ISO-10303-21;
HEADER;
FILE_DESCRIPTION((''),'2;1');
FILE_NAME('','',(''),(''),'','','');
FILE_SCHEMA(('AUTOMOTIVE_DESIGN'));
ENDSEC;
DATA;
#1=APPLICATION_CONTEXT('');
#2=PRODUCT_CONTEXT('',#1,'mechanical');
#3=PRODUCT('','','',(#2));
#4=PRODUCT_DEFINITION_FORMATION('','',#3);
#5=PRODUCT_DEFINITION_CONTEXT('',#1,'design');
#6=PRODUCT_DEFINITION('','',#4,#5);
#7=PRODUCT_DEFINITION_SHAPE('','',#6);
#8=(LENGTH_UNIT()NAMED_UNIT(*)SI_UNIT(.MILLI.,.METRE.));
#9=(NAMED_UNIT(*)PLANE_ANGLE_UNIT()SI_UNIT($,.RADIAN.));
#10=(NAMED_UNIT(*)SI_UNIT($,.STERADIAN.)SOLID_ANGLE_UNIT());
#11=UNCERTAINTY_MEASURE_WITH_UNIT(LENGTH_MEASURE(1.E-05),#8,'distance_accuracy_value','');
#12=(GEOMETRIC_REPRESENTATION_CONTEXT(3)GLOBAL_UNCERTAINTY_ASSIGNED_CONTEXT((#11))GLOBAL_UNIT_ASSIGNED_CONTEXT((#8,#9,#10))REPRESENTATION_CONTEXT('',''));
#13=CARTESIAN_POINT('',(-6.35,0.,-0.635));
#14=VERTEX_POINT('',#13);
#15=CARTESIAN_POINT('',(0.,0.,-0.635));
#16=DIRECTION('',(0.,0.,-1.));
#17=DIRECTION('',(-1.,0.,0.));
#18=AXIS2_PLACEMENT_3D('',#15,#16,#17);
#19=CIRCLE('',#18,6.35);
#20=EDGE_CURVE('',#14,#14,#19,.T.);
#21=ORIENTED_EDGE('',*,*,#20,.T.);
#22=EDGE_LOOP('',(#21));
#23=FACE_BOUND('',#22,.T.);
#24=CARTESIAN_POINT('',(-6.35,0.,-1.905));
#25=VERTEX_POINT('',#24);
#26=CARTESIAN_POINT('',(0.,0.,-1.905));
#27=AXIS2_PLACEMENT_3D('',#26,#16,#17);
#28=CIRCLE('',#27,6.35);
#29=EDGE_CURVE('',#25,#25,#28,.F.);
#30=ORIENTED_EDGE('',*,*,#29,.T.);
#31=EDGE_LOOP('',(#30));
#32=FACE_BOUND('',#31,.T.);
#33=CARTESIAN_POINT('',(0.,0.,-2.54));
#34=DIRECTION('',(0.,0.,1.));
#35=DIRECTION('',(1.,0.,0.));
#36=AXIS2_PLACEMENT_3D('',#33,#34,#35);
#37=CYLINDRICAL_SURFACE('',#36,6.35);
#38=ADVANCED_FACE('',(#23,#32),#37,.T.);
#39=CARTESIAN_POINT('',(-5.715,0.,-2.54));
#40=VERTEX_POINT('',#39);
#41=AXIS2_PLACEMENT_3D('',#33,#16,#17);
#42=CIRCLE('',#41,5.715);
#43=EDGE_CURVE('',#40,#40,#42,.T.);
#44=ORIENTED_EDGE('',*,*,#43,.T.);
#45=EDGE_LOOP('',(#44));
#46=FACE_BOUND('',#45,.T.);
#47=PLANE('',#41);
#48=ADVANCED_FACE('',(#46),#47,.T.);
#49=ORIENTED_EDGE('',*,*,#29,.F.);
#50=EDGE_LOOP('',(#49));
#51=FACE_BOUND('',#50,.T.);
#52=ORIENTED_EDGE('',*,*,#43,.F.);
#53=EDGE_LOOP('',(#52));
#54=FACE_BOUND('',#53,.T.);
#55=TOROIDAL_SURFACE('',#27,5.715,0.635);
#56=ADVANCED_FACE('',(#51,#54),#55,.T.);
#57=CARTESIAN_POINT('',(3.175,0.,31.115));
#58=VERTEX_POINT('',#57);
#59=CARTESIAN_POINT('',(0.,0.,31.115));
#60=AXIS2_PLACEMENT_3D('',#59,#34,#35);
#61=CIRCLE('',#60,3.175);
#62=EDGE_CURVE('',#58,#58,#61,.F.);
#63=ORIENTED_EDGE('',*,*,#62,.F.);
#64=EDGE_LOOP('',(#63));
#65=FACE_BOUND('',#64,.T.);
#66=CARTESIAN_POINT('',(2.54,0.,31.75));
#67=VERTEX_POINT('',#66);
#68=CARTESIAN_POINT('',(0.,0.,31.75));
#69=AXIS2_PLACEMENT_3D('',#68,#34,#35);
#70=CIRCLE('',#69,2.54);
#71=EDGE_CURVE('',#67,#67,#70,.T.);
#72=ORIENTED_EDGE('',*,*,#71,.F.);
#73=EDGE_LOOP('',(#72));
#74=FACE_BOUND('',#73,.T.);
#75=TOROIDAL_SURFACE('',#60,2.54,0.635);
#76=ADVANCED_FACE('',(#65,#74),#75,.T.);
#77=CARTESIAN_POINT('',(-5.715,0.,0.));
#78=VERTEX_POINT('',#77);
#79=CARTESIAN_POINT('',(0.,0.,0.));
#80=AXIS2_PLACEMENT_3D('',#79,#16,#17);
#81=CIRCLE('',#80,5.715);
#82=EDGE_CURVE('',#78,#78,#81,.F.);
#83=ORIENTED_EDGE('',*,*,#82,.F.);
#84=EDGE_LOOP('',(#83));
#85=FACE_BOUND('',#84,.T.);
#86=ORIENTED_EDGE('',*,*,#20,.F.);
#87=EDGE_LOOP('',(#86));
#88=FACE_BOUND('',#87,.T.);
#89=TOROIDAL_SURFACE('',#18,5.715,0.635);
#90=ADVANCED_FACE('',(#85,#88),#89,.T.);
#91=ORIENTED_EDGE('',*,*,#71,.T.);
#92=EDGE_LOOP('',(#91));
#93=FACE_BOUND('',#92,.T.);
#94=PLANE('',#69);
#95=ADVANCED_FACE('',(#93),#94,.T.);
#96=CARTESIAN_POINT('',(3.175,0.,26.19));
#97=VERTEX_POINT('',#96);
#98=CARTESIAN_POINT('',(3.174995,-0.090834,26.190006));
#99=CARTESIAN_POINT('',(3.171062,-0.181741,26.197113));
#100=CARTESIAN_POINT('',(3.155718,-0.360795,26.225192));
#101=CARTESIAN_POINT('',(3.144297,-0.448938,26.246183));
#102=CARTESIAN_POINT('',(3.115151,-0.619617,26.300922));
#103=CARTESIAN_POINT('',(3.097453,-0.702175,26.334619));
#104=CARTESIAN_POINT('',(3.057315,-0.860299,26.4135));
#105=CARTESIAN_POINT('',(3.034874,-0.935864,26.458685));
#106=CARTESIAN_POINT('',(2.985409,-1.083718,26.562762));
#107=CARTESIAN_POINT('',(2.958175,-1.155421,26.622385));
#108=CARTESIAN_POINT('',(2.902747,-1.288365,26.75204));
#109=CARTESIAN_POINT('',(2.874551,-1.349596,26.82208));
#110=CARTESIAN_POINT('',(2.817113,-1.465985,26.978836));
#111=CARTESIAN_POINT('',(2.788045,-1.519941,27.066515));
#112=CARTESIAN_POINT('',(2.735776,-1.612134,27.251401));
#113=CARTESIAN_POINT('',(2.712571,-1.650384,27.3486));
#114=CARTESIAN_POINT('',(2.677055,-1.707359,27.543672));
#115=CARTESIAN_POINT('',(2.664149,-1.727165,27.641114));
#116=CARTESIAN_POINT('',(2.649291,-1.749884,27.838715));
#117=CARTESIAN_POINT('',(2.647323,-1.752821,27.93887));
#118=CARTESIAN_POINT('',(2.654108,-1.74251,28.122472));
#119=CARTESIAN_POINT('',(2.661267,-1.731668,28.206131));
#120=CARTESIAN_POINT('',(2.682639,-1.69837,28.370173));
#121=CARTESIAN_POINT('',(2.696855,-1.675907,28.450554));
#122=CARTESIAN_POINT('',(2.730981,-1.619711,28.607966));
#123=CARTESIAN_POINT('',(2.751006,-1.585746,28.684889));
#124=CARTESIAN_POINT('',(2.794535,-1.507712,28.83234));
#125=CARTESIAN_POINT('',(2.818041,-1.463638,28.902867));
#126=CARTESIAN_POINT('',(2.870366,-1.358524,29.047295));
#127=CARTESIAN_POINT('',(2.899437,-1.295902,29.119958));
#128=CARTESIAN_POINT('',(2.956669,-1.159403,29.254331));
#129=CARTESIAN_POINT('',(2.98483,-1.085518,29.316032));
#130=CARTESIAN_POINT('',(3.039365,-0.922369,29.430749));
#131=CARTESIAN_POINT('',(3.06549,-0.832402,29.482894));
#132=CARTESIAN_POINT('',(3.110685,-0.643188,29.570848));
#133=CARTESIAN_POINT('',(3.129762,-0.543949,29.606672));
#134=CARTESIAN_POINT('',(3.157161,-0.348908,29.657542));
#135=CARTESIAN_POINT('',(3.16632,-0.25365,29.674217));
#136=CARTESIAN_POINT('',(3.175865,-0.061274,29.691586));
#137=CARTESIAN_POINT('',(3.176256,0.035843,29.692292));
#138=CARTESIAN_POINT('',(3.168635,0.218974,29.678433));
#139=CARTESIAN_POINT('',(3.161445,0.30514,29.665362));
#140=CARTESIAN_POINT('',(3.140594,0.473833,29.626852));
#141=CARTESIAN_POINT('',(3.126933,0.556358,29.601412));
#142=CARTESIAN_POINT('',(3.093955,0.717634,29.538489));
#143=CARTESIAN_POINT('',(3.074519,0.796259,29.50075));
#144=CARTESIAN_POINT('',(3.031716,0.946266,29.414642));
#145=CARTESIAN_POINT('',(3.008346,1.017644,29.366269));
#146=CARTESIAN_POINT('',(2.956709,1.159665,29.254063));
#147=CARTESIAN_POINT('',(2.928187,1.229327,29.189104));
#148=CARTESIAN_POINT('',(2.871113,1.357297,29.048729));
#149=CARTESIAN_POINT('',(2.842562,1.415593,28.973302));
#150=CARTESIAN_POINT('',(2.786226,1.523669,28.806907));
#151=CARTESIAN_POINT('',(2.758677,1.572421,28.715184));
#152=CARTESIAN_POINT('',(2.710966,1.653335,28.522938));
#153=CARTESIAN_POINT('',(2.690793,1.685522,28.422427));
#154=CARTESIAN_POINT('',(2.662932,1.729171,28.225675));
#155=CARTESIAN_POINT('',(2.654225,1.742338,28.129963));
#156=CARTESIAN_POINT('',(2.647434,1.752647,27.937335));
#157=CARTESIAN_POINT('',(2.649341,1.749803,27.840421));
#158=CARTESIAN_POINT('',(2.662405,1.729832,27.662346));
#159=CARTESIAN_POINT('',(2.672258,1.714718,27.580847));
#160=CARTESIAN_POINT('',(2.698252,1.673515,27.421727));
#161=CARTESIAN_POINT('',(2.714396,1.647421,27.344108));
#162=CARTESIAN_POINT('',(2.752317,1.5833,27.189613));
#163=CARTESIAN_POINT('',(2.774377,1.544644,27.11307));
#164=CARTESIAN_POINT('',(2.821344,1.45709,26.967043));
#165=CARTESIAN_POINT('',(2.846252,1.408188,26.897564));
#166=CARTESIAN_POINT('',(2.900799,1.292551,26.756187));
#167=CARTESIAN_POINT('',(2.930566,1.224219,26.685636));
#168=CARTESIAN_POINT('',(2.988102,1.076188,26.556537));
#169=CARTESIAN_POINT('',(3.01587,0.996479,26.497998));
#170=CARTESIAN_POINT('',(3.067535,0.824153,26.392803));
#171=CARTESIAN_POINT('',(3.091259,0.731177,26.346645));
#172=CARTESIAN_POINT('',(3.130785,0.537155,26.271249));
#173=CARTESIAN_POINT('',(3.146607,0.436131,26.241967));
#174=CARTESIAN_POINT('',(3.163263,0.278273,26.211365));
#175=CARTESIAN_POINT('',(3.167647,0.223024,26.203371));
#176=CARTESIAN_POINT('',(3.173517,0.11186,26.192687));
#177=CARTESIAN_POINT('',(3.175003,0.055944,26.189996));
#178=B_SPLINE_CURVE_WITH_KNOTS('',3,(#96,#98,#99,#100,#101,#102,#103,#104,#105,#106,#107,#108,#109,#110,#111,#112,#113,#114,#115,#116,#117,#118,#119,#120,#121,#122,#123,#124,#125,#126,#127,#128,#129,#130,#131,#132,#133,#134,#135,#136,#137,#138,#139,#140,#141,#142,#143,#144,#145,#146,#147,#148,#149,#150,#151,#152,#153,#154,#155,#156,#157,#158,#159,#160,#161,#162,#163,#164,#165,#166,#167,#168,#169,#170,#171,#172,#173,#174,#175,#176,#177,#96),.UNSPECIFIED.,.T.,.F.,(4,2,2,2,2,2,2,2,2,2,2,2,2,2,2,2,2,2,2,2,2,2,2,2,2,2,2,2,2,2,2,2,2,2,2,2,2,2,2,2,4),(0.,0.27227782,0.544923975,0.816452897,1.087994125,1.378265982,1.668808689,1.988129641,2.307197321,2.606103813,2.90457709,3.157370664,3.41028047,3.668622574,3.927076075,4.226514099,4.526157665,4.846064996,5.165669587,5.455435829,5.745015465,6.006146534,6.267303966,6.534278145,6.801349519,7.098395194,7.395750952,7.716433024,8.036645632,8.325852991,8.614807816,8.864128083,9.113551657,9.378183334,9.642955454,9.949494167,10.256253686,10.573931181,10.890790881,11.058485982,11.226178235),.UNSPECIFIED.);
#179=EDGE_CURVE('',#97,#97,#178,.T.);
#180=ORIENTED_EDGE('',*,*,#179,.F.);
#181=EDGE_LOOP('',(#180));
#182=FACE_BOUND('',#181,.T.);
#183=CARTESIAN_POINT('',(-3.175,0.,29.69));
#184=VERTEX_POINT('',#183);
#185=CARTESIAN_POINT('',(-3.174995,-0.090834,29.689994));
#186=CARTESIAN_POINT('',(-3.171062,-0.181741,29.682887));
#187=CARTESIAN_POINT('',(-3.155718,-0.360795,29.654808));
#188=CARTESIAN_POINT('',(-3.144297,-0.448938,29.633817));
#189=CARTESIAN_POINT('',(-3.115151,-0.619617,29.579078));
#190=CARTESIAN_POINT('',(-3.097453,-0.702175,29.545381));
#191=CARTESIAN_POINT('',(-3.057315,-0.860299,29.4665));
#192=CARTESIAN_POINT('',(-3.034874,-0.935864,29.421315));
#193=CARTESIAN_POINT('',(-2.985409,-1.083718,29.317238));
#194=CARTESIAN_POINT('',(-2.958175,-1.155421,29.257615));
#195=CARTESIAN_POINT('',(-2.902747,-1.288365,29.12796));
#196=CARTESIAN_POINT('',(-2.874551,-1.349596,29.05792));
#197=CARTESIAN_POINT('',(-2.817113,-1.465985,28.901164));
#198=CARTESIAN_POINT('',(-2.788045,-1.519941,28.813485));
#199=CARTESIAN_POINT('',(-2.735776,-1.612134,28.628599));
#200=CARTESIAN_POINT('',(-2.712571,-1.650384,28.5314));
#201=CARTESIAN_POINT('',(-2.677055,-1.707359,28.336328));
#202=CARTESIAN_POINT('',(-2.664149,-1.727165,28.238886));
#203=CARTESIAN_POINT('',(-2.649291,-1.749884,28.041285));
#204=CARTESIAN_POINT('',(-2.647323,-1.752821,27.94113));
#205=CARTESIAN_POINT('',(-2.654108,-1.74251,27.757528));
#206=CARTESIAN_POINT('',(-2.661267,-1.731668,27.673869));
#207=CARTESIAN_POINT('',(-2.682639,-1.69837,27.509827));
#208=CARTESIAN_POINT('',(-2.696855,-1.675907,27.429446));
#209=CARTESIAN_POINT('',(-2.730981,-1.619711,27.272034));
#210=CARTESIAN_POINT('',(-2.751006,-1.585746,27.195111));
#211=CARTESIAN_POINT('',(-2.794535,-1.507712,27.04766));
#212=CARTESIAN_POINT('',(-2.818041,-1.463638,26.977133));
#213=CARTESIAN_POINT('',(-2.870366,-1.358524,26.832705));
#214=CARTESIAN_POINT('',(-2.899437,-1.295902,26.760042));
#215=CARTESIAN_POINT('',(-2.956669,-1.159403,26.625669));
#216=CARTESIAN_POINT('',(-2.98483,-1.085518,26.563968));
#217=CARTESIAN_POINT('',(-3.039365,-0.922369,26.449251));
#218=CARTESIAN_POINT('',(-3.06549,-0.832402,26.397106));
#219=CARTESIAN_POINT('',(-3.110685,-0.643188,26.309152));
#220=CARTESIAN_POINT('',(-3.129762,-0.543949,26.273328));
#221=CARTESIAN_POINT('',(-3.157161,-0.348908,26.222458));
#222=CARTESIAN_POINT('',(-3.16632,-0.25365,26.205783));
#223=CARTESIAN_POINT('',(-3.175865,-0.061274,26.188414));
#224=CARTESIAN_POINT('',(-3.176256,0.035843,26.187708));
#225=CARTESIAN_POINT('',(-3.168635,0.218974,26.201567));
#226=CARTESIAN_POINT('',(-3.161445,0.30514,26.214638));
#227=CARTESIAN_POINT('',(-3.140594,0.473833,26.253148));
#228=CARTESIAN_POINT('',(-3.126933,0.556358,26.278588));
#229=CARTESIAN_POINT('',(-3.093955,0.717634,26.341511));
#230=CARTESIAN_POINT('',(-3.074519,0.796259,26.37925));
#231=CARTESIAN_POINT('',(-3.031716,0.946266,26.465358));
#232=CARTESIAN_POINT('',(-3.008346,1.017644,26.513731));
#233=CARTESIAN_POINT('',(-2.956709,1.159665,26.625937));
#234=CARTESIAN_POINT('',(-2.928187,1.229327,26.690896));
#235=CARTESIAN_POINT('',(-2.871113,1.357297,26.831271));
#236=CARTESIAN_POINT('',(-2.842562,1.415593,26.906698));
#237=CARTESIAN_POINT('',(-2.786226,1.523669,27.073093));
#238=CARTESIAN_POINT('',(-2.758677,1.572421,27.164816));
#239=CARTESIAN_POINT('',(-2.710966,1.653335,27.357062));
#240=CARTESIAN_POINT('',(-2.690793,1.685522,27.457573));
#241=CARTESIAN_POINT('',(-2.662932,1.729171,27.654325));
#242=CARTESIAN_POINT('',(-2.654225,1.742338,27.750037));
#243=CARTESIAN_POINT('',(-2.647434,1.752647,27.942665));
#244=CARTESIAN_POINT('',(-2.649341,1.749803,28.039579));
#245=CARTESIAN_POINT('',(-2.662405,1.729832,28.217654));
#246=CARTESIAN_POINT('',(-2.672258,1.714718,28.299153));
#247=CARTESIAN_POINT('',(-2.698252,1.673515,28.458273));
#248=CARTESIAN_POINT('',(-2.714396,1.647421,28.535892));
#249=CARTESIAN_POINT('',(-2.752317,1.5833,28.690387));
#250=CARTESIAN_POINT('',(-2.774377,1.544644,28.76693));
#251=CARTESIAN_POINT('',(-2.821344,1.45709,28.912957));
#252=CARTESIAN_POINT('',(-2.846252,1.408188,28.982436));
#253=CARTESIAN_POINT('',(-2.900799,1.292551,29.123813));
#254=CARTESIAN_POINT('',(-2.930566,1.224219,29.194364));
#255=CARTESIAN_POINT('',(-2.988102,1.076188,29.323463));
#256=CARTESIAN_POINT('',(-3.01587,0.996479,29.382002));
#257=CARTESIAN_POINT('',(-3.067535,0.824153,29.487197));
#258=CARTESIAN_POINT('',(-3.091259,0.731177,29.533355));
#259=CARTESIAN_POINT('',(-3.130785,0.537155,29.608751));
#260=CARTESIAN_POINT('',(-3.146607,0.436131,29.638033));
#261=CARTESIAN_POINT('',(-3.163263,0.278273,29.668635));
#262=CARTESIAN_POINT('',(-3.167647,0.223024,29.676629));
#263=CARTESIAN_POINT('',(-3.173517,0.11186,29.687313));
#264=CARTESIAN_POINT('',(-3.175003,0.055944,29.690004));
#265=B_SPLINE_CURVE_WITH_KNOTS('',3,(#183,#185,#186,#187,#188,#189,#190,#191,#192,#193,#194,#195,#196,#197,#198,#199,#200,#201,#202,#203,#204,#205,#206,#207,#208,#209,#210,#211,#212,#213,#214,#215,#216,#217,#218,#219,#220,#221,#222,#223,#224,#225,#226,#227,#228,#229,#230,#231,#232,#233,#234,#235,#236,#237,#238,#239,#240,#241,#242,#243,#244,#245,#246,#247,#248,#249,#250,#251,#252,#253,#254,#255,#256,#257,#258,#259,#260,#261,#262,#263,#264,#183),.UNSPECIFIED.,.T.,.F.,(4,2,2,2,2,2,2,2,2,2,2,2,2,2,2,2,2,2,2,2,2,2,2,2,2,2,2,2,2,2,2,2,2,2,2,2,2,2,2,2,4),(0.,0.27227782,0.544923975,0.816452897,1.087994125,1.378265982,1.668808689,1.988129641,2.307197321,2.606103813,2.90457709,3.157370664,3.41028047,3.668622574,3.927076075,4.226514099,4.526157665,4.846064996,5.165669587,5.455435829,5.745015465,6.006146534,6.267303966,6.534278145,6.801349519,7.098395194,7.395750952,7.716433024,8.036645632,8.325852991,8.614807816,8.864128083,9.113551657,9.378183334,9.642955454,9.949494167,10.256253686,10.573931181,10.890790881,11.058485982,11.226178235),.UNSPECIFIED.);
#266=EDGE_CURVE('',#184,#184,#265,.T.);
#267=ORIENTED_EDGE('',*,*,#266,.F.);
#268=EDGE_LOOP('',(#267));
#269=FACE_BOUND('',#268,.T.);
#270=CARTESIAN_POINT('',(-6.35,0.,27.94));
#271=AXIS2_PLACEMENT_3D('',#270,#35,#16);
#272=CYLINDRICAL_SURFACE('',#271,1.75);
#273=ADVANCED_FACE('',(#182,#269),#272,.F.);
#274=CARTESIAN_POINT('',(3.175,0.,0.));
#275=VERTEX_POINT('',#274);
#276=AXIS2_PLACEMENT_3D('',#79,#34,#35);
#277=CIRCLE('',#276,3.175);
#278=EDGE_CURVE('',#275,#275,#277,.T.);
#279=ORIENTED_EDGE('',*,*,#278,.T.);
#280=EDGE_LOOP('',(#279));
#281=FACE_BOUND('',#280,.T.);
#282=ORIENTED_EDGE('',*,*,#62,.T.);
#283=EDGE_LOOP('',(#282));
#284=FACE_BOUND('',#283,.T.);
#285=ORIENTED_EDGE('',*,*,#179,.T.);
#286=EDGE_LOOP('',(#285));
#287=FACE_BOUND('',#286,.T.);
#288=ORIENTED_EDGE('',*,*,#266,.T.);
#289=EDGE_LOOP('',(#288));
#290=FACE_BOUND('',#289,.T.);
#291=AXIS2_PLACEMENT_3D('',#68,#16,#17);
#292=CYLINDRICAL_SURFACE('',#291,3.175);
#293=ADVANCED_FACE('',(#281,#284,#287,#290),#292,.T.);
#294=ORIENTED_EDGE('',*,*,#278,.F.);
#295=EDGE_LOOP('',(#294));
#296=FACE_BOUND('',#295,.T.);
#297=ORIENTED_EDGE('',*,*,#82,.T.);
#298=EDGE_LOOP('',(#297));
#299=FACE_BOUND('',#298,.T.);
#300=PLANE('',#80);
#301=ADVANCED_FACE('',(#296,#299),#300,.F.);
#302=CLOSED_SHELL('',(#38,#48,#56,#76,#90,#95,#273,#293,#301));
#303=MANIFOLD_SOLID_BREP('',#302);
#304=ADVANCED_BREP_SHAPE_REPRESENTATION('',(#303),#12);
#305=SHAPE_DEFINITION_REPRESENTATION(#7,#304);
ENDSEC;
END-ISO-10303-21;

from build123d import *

# Parameters (mm, degrees)
SKETCH1_R               = 3.175
BOSS_EXTRUDE1_DEPTH     = 31.75
SKETCH2_R               = 6.35
BOSS_EXTRUDE2_DEPTH     = 2.54
CUT_EXTRUDE1_DEPTH      = 33.995567884
CUT_EXTRUDE1_DEPTH_BACK = 33.995567884
SKETCH3_R               = 1.75
FILLET2_R               = 0.635


with BuildPart() as part:
    # Sketch1 → Boss-Extrude1 (new body)
    with BuildSketch(Plane.XY):
        Circle(SKETCH1_R)
    extrude(amount=BOSS_EXTRUDE1_DEPTH)

    # Sketch2 → Boss-Extrude2 (add)
    with BuildSketch(Plane(origin=(0, 0, 0), x_dir=(-1, 0, 0), z_dir=(0, 0, -1))):
        Circle(SKETCH2_R)
    extrude(amount=BOSS_EXTRUDE2_DEPTH)

    # Sketch3 → Cut-Extrude1 (cut, two sides: drawn at the far end of the back side and taken through both)
    with BuildSketch(Plane(origin=(0, 0, 0), x_dir=(0, 0, -1), z_dir=(1, 0, 0)).offset(-CUT_EXTRUDE1_DEPTH_BACK)):
        with Locations(Location((-27.94, 0, 0), (0, 0, 180.000000003))):
            Circle(SKETCH3_R)
    extrude(amount=CUT_EXTRUDE1_DEPTH + CUT_EXTRUDE1_DEPTH_BACK, mode=Mode.SUBTRACT)

    # Fillet2
    fillet2_edges = [part.edges().sort_by_distance(p)[0] for p in [
        (-3.175, 0, 31.75),
        (6.35, 0, 0),
        (6.35, 0, -2.54),
    ]]
    fillet(fillet2_edges, radius=FILLET2_R)


solid = part.part
